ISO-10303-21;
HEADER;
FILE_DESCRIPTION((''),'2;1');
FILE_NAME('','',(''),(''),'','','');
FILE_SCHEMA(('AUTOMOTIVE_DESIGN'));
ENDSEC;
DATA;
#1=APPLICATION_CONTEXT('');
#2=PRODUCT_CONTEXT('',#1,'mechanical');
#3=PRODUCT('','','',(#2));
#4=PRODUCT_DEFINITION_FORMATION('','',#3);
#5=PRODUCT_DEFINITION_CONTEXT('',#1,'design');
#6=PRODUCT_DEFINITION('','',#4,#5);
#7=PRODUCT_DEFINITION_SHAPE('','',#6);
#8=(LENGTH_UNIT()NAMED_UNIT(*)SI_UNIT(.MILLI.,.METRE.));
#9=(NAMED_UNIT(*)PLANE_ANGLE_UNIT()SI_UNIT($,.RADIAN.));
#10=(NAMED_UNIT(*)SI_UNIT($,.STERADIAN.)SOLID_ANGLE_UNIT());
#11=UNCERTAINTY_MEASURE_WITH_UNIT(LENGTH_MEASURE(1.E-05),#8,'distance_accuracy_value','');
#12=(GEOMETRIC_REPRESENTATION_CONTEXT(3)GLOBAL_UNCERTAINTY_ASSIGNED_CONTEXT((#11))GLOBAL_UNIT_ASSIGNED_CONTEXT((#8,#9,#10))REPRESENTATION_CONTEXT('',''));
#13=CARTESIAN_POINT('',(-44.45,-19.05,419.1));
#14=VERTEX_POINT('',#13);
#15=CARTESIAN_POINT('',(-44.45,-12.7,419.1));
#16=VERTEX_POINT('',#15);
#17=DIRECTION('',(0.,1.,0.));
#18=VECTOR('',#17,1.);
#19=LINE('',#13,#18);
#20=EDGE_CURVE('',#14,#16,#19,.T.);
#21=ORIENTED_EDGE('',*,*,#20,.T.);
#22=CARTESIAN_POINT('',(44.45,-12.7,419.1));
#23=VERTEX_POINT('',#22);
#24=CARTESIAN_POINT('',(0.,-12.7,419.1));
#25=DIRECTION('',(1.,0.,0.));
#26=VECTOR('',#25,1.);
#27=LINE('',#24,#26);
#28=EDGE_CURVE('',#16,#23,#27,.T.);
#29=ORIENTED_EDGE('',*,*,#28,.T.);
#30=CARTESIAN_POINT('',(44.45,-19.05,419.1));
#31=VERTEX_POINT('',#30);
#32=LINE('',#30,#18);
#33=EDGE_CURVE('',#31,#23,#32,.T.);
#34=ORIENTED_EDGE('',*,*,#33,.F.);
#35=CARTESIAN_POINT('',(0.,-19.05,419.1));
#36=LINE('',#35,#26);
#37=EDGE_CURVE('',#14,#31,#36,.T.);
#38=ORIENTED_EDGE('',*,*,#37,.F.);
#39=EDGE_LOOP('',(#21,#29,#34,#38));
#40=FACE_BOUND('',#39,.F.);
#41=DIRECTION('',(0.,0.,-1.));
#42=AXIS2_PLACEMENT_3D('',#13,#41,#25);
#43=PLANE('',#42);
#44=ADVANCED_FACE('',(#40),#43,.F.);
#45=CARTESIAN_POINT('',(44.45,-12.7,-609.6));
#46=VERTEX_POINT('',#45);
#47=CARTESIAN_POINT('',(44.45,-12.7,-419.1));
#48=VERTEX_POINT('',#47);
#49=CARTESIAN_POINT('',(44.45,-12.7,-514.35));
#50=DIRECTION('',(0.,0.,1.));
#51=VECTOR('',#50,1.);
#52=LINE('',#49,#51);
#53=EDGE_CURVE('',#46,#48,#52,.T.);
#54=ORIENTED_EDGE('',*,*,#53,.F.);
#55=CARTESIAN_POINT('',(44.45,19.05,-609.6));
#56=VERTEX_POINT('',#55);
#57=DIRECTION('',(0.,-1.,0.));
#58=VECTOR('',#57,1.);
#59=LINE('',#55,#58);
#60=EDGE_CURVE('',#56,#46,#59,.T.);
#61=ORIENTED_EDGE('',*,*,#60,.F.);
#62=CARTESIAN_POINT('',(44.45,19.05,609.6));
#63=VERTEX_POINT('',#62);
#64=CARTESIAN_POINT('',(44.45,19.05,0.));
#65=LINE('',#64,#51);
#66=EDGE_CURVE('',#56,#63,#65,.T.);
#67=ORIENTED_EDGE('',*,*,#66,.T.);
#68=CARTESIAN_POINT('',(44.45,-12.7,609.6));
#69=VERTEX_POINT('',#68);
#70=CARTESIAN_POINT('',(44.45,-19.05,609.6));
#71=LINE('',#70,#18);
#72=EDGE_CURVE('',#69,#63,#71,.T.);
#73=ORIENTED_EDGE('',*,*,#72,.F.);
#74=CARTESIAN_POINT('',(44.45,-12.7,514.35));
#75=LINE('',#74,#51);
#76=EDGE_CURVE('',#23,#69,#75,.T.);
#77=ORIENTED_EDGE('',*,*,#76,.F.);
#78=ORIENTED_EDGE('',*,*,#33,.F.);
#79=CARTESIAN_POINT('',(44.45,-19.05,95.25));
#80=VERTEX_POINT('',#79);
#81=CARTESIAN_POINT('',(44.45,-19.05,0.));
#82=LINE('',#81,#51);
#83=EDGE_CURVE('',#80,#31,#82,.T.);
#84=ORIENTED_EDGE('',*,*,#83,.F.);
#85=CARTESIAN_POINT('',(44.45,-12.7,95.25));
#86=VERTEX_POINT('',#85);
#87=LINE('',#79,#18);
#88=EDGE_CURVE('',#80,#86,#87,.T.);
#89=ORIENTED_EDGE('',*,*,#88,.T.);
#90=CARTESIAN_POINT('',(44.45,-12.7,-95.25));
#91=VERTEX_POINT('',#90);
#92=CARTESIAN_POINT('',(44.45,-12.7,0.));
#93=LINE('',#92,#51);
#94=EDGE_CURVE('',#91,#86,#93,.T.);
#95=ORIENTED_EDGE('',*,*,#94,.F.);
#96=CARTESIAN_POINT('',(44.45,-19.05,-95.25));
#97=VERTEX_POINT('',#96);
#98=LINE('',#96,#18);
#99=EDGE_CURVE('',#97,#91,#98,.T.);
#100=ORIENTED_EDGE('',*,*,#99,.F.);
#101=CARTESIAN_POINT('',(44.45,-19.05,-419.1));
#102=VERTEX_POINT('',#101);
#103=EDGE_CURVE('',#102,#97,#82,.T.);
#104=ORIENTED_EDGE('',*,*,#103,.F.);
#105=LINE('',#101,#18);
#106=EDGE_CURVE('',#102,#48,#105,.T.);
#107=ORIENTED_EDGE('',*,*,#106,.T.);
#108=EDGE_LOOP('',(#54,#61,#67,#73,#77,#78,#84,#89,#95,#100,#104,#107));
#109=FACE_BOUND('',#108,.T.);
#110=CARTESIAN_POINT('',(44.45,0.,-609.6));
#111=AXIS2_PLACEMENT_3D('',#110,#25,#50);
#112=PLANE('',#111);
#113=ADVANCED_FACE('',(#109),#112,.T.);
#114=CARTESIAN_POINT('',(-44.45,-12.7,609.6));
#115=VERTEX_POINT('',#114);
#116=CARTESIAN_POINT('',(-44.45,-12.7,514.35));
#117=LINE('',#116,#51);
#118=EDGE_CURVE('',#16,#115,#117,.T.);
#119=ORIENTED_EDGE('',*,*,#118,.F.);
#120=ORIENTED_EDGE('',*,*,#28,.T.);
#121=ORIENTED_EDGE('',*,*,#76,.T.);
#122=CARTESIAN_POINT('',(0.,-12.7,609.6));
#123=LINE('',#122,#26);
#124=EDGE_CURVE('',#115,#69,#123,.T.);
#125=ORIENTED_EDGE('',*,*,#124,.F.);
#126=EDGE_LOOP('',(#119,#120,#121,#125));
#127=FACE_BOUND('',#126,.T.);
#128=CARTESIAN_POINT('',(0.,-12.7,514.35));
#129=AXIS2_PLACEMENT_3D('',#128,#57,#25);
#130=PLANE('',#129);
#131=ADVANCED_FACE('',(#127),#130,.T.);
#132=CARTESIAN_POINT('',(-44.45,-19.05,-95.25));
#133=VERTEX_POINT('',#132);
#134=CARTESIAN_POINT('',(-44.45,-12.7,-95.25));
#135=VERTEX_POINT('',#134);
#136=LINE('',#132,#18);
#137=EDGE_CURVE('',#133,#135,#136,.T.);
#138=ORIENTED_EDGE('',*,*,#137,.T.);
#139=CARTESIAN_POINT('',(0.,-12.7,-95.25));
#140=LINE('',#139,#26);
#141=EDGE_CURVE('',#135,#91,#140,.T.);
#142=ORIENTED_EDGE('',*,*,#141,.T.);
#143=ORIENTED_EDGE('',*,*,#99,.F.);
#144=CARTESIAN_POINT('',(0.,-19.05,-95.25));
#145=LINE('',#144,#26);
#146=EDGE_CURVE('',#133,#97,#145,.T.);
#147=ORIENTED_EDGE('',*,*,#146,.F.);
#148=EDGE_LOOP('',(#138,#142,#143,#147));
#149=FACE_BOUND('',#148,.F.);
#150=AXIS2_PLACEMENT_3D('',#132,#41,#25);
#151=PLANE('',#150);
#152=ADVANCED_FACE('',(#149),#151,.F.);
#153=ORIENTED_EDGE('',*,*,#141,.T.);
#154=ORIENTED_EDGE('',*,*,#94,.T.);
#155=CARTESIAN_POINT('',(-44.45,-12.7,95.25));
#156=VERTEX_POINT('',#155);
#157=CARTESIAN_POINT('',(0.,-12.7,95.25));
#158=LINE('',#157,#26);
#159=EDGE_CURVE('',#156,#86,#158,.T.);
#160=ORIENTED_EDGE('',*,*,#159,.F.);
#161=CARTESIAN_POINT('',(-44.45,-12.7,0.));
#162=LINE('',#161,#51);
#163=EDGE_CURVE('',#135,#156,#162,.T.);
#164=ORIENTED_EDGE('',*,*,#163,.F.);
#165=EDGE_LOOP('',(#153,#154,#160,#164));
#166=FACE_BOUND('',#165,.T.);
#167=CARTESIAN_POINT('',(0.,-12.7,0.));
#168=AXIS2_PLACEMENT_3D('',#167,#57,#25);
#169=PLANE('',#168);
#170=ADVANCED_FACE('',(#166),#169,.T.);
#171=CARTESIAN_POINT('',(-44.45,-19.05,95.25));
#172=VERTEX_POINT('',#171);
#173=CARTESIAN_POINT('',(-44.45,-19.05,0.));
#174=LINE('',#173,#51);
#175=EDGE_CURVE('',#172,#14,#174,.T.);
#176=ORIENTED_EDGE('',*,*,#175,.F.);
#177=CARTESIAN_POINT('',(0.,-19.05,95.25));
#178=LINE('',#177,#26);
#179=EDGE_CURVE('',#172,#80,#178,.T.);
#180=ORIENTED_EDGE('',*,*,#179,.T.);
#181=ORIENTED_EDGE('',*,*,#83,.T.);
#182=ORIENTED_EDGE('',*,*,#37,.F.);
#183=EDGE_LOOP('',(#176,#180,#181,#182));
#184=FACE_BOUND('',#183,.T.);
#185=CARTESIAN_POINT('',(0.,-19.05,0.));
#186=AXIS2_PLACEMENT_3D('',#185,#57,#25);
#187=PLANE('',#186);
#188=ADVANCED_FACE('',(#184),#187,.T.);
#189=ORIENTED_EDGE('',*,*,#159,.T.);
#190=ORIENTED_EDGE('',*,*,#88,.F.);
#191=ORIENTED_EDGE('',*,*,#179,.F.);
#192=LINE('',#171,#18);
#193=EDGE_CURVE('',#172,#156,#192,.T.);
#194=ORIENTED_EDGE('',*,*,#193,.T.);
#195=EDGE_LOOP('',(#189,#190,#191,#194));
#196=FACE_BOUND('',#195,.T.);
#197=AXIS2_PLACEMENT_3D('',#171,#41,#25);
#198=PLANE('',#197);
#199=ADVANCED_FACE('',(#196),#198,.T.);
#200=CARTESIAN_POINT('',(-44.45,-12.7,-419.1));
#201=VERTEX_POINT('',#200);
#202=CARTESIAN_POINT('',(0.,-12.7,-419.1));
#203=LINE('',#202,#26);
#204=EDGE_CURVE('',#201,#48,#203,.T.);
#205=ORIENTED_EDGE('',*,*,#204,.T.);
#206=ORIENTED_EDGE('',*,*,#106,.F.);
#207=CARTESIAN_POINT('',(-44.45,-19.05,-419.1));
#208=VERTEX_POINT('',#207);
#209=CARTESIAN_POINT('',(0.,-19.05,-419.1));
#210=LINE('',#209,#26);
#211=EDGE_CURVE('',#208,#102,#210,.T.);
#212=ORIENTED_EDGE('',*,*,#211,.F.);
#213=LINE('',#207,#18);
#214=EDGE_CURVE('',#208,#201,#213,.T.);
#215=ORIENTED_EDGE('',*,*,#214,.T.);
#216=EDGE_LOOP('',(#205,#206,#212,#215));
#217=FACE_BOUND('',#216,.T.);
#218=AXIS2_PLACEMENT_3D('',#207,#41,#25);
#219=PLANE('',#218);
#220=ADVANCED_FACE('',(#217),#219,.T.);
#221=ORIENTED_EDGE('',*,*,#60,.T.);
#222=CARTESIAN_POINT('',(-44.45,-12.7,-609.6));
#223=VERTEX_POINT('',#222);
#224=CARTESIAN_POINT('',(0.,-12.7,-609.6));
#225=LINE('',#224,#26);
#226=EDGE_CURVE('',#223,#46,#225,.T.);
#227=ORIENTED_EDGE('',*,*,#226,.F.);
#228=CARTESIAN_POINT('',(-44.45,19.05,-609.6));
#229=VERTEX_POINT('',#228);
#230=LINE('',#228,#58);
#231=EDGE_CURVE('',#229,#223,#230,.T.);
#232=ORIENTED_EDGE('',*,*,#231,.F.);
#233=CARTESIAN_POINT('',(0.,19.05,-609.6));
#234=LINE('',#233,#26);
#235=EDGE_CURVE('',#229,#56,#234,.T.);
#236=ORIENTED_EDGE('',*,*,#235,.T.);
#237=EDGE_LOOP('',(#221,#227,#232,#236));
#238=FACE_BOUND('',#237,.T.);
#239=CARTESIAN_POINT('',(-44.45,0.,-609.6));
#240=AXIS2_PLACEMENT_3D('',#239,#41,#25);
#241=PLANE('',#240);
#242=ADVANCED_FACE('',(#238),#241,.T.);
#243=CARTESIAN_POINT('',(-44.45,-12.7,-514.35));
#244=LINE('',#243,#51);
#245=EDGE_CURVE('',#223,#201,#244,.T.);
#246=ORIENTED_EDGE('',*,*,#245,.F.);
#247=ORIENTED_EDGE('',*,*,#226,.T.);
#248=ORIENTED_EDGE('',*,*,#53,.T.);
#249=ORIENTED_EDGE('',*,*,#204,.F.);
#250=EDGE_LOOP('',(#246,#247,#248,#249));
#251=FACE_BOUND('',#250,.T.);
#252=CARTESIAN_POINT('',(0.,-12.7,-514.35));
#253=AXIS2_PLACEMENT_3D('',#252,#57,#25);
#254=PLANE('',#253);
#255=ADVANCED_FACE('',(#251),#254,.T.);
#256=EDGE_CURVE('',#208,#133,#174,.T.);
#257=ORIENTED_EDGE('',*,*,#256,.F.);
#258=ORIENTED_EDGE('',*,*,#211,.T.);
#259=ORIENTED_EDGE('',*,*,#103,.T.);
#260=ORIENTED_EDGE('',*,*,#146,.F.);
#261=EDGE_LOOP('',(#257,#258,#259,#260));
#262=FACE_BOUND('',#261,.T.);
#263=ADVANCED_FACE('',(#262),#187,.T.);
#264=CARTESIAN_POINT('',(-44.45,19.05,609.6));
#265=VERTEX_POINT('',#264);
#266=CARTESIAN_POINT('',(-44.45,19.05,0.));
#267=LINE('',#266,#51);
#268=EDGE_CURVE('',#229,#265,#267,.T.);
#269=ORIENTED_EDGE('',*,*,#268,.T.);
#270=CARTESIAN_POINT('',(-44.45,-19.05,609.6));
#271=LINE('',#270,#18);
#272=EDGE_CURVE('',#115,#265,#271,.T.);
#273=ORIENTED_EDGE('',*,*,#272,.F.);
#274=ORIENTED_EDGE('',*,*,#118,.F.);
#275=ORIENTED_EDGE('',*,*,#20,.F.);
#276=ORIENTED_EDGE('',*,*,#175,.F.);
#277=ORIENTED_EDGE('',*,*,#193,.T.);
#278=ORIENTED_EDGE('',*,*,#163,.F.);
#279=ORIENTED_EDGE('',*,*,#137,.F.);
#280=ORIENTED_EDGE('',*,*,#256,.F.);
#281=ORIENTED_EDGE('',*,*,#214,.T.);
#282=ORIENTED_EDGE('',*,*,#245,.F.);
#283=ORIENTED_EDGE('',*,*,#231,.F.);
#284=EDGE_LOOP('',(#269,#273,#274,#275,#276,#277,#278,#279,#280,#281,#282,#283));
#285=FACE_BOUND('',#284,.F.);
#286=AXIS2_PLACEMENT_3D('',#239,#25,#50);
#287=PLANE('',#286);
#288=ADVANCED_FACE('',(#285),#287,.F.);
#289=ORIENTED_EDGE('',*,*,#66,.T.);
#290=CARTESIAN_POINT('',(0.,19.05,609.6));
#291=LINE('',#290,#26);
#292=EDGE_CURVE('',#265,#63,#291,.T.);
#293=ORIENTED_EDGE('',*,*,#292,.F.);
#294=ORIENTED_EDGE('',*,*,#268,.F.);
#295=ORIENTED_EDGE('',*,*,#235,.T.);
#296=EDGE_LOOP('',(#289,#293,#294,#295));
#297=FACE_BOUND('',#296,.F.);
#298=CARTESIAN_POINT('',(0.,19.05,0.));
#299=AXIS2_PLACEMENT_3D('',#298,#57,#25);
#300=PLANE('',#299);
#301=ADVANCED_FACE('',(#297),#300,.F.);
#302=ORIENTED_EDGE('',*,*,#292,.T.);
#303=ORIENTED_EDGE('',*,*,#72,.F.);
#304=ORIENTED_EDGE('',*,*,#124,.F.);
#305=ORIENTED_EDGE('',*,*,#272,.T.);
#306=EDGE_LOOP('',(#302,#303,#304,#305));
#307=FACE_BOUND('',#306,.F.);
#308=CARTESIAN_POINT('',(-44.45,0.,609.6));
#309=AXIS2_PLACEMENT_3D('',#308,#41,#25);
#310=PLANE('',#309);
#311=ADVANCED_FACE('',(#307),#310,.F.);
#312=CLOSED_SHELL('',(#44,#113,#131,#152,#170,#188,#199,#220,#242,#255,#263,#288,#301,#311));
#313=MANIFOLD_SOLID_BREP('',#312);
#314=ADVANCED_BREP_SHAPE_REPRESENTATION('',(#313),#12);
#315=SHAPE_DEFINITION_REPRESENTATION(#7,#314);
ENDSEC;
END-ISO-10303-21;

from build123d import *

# Parameters (mm, degrees)
F0_W     = 88.9
F0_H     = 1219.2
F1_DEPTH = 19.05
F2_W     = 88.9
F2_H     = 190.5
F3_DEPTH = 6.35


with BuildPart() as f1:
    # F0 (on Front) → F1 (new body, symmetric)
    with BuildSketch(Plane.XZ):
        Rectangle(F0_W, F0_H)
    extrude(amount=F1_DEPTH, both=True)

    # F2 (on face) → F3 (cut)
    with BuildSketch(Plane.XZ.offset(19.05)):
        with Locations((0, -514.35)):
            Rectangle(F2_W, F2_H)
        Rectangle(F2_W, F2_H)
        with Locations((0, 514.35)):
            Rectangle(F2_W, F2_H)
    extrude(amount=-F3_DEPTH, mode=Mode.SUBTRACT)


solid = f1.part
